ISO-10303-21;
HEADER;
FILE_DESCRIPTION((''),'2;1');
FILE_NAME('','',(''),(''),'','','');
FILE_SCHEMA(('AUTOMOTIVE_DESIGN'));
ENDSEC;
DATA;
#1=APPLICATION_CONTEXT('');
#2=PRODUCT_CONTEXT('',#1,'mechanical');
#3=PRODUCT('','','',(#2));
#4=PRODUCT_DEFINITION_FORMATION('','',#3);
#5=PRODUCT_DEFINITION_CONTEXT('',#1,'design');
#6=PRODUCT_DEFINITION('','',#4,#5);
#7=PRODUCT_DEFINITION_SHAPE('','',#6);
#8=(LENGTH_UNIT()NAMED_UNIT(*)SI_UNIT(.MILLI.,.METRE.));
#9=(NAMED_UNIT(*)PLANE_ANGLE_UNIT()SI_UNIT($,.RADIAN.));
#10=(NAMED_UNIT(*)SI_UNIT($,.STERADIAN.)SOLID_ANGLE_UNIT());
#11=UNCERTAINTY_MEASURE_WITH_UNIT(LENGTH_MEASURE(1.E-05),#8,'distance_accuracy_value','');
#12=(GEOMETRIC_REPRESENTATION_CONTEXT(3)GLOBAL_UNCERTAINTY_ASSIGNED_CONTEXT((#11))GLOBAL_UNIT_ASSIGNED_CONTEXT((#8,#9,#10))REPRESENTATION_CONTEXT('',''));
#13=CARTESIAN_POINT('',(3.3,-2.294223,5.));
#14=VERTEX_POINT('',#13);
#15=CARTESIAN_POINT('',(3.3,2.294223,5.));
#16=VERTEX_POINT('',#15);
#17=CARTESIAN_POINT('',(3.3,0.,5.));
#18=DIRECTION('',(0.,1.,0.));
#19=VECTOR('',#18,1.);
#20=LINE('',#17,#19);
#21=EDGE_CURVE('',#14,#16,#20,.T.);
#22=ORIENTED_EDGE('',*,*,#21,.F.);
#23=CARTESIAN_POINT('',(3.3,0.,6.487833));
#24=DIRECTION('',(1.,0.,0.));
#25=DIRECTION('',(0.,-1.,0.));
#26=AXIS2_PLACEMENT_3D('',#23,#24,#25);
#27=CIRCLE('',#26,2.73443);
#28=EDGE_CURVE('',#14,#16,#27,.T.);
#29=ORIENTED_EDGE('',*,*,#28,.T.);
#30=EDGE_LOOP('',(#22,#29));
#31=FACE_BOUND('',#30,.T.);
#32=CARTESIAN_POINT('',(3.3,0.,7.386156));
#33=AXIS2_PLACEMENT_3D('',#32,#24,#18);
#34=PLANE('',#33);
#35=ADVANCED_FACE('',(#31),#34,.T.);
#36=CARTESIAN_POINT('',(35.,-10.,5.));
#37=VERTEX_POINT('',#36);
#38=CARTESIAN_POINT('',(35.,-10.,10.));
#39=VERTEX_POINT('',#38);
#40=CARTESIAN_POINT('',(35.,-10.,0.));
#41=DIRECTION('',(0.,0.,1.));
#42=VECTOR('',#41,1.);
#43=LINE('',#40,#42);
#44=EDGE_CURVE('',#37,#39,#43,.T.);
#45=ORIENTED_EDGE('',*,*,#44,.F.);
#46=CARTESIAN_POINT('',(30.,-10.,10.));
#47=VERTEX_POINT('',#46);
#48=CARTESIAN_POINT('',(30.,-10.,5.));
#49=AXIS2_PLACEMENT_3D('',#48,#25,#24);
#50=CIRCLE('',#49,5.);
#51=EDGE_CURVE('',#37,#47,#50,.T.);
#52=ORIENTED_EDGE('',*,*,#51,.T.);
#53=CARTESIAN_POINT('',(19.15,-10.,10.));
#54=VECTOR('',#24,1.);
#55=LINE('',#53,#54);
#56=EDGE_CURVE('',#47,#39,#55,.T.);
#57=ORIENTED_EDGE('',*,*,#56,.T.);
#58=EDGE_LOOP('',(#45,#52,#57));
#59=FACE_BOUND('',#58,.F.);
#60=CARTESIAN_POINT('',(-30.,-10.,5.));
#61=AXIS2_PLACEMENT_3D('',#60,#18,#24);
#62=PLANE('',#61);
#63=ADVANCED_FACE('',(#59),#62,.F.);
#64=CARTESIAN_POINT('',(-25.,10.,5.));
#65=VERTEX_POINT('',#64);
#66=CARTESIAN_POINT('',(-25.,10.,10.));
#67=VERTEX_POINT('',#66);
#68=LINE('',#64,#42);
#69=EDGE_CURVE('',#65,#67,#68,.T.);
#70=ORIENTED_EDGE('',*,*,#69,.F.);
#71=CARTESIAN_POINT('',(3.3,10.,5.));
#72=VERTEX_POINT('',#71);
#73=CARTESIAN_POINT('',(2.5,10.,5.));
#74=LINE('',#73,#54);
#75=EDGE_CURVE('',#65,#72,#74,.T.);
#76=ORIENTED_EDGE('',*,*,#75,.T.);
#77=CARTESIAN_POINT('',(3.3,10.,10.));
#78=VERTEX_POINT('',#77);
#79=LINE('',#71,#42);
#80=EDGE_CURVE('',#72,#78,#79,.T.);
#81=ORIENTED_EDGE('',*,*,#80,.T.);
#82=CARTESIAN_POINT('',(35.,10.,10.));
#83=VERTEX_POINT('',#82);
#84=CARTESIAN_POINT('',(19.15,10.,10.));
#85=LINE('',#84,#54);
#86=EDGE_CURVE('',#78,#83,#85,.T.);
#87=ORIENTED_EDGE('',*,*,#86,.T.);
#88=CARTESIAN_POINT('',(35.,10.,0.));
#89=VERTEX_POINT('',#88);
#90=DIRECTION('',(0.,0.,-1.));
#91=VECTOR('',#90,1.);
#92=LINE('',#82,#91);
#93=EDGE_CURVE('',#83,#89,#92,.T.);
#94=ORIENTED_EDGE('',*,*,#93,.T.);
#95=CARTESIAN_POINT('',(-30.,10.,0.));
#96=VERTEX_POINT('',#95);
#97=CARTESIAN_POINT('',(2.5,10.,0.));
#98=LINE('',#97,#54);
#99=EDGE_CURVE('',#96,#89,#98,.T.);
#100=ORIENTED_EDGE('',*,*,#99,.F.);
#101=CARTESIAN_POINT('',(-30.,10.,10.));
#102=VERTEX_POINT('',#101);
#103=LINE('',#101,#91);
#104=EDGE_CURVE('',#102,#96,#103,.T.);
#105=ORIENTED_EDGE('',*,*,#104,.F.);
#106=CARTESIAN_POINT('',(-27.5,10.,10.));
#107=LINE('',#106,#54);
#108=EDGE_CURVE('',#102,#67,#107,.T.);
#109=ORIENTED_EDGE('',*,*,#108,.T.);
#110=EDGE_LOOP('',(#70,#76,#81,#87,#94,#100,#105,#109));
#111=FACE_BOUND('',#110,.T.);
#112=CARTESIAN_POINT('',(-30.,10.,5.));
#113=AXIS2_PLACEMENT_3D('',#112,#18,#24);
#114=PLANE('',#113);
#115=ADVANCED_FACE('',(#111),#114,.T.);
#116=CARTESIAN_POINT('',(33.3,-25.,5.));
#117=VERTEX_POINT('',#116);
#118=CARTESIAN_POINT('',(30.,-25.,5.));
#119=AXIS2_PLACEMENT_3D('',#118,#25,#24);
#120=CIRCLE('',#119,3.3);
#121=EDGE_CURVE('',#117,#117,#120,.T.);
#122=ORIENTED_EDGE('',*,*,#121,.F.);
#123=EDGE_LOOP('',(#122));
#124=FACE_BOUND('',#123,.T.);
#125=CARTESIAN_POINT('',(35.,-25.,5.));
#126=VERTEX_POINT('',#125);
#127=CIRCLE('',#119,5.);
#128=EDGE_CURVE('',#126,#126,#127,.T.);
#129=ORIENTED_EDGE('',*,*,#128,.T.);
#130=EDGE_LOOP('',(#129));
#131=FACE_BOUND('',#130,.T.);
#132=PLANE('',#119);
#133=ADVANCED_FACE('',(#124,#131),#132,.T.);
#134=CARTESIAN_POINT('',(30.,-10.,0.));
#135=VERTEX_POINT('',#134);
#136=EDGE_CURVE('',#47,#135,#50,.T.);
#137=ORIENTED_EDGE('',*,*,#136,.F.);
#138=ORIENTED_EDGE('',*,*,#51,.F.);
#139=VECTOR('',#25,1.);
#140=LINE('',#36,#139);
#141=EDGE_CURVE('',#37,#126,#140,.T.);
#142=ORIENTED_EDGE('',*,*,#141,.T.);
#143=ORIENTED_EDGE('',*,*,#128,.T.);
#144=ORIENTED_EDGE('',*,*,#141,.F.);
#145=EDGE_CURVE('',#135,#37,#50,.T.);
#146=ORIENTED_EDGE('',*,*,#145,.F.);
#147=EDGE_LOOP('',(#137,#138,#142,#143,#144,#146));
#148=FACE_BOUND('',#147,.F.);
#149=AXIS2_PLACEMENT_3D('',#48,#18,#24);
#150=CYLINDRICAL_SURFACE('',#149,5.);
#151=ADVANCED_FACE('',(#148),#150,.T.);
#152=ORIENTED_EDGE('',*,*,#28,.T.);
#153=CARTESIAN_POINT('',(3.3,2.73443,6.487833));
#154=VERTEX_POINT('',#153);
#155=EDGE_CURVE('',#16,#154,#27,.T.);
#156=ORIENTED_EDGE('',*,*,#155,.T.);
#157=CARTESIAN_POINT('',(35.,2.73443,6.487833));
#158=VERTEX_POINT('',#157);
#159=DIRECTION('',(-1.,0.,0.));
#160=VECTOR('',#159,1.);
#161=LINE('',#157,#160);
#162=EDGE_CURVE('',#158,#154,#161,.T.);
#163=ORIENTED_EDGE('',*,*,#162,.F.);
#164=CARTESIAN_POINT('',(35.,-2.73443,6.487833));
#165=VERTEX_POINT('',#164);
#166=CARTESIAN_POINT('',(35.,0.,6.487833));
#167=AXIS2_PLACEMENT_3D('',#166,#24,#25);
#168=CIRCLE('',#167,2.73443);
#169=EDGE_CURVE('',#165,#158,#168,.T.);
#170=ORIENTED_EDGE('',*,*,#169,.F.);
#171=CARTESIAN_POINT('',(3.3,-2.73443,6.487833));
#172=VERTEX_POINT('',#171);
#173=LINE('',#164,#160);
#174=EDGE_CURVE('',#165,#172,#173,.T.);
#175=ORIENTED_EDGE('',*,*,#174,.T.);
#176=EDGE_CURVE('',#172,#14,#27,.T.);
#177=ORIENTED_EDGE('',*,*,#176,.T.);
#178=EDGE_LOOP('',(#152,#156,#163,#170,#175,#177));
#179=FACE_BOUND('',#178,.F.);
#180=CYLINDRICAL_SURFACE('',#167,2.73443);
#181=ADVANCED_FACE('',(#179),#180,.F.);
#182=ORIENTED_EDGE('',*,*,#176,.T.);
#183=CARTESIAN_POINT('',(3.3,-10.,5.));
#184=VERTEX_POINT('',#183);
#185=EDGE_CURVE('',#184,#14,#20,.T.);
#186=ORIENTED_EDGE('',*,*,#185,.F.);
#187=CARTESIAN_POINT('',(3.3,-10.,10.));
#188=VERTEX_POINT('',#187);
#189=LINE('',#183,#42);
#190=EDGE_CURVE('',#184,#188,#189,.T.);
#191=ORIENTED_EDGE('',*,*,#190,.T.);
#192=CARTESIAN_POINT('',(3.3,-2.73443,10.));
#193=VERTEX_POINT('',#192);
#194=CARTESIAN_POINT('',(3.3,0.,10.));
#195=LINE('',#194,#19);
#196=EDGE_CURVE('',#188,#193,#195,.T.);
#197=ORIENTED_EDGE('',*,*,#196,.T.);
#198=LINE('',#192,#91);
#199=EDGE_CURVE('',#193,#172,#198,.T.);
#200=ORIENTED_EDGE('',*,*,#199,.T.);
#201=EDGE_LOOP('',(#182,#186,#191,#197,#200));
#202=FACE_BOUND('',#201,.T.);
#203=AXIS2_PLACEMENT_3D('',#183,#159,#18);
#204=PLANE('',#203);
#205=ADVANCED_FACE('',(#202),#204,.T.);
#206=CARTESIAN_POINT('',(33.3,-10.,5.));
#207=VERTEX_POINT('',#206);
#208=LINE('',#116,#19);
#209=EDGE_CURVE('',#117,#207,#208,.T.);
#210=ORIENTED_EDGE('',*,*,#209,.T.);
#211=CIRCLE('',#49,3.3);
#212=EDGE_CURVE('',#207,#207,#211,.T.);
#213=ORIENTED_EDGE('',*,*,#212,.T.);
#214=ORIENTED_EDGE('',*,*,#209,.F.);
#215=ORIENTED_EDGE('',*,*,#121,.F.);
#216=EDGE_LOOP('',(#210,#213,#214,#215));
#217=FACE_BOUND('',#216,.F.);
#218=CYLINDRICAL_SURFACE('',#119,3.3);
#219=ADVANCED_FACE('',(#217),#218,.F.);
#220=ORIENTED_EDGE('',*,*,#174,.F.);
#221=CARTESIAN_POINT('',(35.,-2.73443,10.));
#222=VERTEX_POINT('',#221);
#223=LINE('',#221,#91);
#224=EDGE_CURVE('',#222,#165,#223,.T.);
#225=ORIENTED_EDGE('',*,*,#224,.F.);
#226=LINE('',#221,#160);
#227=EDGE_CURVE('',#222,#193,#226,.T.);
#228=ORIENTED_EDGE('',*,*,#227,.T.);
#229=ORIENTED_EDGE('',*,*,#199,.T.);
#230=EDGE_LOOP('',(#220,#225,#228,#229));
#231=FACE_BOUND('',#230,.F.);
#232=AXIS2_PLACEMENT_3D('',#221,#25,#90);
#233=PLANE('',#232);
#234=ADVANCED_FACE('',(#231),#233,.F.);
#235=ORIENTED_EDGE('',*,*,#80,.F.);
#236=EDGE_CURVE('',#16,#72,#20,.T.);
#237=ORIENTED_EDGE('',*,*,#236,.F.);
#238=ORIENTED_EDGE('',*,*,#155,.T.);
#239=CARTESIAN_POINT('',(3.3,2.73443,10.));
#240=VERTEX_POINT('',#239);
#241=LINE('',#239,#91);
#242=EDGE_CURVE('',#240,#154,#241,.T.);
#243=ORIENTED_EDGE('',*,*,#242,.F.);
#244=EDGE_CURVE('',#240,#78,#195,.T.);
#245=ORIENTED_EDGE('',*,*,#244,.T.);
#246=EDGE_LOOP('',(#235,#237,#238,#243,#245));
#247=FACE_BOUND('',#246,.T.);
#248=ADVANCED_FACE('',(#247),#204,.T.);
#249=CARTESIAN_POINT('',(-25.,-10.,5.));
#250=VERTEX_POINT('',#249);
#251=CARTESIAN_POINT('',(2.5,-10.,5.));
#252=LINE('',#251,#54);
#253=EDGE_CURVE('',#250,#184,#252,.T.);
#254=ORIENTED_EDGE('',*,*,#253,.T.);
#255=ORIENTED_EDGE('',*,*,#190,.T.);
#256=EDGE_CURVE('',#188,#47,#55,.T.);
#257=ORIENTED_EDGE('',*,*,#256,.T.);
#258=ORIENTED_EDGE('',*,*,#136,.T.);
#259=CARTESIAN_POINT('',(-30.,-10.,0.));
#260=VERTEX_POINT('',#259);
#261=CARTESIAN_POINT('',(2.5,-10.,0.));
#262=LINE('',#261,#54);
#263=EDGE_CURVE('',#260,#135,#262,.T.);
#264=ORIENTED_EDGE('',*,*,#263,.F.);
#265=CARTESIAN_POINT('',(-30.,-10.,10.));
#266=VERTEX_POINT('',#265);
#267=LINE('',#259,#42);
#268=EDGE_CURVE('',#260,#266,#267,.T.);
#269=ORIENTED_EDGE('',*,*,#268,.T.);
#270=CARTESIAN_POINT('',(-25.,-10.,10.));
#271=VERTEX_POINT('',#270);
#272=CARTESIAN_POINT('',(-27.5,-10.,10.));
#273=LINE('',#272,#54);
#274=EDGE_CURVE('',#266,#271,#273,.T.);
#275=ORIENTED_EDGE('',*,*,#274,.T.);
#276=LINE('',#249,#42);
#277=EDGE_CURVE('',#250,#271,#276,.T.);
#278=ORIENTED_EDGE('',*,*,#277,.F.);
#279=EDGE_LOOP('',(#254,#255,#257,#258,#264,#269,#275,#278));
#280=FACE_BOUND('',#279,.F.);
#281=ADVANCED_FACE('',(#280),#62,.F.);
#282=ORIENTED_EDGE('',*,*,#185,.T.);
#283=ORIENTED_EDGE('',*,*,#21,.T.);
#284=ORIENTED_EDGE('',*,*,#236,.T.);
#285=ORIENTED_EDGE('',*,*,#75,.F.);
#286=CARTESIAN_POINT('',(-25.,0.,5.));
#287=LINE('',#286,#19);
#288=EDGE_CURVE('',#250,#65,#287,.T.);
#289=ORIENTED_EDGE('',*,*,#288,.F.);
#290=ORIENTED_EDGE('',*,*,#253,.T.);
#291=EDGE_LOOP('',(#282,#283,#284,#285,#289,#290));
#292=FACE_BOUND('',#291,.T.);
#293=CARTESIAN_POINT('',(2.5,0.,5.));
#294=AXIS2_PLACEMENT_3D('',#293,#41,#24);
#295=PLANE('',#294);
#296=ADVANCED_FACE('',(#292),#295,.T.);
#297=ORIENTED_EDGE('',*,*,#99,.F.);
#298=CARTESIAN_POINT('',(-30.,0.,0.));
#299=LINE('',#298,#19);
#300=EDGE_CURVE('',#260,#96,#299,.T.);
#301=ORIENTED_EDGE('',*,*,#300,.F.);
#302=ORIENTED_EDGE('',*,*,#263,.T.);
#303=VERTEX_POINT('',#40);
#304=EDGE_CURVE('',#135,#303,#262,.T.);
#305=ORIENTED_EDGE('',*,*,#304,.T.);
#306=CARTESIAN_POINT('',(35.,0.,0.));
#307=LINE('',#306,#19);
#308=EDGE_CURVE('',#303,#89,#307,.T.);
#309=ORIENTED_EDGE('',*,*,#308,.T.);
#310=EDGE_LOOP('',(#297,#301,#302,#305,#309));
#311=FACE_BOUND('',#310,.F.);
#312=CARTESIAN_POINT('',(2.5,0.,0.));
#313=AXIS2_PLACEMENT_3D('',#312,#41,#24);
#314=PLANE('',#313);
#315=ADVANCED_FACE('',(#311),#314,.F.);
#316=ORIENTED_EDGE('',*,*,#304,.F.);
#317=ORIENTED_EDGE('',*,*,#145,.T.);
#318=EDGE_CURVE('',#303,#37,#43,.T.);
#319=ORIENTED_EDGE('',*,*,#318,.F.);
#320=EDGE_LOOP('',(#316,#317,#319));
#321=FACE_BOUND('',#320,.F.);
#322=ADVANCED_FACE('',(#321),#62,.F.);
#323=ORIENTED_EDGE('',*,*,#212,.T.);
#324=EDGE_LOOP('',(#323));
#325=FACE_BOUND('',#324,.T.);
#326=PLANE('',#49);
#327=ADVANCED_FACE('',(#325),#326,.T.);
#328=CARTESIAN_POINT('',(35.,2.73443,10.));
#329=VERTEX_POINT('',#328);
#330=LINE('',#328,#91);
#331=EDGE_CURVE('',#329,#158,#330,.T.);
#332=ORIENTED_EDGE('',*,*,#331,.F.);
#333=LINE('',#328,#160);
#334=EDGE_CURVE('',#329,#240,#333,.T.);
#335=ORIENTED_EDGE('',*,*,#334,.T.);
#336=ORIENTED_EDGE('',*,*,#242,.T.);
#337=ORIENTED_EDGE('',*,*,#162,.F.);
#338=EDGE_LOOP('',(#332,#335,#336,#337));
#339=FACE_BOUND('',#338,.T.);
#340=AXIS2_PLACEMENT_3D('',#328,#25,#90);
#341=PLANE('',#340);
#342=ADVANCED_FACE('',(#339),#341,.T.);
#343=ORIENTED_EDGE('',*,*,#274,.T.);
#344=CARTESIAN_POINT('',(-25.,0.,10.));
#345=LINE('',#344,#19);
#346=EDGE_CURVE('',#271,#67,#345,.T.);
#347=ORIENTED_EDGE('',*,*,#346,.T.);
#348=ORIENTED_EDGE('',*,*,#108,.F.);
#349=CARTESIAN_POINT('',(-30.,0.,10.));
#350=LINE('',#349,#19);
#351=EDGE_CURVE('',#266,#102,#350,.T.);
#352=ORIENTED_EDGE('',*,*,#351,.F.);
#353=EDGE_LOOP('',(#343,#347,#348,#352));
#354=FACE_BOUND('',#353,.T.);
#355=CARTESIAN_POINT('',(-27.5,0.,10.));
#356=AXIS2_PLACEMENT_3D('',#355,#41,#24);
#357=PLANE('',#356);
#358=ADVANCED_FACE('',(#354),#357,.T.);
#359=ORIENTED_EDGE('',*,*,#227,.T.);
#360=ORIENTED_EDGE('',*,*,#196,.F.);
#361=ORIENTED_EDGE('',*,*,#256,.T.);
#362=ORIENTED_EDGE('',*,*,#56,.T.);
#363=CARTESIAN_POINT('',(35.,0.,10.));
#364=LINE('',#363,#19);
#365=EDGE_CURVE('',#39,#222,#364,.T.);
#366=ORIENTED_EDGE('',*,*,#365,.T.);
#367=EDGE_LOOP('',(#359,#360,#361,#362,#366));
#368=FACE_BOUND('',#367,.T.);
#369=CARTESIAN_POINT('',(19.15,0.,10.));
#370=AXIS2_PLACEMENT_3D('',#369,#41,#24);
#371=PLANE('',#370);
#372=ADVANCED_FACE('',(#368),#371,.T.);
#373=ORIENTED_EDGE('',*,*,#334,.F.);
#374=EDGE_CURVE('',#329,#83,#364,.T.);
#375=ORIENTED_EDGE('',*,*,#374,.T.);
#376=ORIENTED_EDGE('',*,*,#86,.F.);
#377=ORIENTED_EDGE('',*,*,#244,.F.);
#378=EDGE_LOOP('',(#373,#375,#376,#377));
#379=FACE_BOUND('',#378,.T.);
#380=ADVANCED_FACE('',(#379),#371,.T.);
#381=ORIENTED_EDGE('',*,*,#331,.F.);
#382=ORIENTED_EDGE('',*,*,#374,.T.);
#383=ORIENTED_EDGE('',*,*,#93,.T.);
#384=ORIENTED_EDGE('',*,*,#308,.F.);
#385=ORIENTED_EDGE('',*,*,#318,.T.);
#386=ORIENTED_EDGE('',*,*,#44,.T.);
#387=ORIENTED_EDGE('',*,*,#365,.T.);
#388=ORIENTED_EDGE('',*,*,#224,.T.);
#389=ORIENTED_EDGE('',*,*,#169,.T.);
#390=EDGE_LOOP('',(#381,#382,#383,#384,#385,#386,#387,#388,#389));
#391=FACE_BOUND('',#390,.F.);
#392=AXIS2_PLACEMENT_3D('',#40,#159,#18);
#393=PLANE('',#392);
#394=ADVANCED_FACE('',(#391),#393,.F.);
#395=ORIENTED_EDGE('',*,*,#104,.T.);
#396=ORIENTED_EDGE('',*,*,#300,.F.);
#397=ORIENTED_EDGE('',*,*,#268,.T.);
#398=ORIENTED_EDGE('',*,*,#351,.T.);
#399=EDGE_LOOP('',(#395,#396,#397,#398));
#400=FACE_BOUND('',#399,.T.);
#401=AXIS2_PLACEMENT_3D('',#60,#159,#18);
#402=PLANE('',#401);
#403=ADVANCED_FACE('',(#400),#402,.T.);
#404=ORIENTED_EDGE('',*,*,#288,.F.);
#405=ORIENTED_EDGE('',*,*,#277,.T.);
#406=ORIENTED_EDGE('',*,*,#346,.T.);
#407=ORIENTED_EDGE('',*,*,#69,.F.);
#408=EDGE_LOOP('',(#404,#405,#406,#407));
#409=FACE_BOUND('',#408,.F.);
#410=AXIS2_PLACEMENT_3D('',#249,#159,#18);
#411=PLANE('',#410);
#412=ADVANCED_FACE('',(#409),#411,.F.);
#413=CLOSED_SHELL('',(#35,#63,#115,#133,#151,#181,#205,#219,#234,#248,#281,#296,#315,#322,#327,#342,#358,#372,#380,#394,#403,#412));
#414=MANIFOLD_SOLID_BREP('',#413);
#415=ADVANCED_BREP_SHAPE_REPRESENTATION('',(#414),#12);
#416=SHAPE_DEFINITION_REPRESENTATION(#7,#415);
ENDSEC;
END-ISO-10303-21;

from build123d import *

# Parameters (mm, degrees)
SKETCH_W        = 65
SKETCH_H        = 20
PAD_DEPTH       = 5
SKETCH001_W     = 5
SKETCH001_H     = 20
SKETCH001_W_2   = 31.7
PAD001_DEPTH    = 5
POCKET_DEPTH    = 31.7
SKETCH003_R     = 5
PAD002_DEPTH    = 15
SKETCH004_R     = 3.3
POCKET001_DEPTH = 15


with BuildPart() as part:
    # Sketch → Pad (new body)
    with BuildSketch(Plane.XY):
        with Locations((2.5, 0)):
            Rectangle(SKETCH_W, SKETCH_H)
    extrude(amount=PAD_DEPTH)

    # Sketch001 → Pad001 (new body)
    with BuildSketch(Plane.XY.offset(5)):
        with Locations((-27.5, 0)):
            Rectangle(SKETCH001_W, SKETCH001_H)
        with Locations((19.15, 0)):
            Rectangle(SKETCH001_W_2, SKETCH001_H)
    extrude(amount=PAD001_DEPTH)

    # Sketch002 → Pocket (cut)
    with BuildSketch(Plane.YZ.offset(35)):
        with BuildLine():
            Line((-2.73443, 10), (-2.73443, 6.487833))
            ThreePointArc((-2.73443, 6.487833), (0, 3.753403), (2.73443, 6.487833))
            Line((2.73443, 10), (2.73443, 6.487833))
            Line((-2.73443, 10), (2.73443, 10))
        make_face()
    extrude(amount=-POCKET_DEPTH, mode=Mode.SUBTRACT)

    # Sketch003 → Pad002 (new body)
    with BuildSketch(Plane.XZ.offset(10)):
        with Locations((30, 5)):
            Circle(SKETCH003_R)
    extrude(amount=PAD002_DEPTH)

    # Sketch004 → Pocket001 (cut)
    with BuildSketch(Plane.XZ.offset(25)):
        with Locations((30, 5)):
            Circle(SKETCH004_R)
    extrude(amount=-POCKET001_DEPTH, mode=Mode.SUBTRACT)


solid = part.part
